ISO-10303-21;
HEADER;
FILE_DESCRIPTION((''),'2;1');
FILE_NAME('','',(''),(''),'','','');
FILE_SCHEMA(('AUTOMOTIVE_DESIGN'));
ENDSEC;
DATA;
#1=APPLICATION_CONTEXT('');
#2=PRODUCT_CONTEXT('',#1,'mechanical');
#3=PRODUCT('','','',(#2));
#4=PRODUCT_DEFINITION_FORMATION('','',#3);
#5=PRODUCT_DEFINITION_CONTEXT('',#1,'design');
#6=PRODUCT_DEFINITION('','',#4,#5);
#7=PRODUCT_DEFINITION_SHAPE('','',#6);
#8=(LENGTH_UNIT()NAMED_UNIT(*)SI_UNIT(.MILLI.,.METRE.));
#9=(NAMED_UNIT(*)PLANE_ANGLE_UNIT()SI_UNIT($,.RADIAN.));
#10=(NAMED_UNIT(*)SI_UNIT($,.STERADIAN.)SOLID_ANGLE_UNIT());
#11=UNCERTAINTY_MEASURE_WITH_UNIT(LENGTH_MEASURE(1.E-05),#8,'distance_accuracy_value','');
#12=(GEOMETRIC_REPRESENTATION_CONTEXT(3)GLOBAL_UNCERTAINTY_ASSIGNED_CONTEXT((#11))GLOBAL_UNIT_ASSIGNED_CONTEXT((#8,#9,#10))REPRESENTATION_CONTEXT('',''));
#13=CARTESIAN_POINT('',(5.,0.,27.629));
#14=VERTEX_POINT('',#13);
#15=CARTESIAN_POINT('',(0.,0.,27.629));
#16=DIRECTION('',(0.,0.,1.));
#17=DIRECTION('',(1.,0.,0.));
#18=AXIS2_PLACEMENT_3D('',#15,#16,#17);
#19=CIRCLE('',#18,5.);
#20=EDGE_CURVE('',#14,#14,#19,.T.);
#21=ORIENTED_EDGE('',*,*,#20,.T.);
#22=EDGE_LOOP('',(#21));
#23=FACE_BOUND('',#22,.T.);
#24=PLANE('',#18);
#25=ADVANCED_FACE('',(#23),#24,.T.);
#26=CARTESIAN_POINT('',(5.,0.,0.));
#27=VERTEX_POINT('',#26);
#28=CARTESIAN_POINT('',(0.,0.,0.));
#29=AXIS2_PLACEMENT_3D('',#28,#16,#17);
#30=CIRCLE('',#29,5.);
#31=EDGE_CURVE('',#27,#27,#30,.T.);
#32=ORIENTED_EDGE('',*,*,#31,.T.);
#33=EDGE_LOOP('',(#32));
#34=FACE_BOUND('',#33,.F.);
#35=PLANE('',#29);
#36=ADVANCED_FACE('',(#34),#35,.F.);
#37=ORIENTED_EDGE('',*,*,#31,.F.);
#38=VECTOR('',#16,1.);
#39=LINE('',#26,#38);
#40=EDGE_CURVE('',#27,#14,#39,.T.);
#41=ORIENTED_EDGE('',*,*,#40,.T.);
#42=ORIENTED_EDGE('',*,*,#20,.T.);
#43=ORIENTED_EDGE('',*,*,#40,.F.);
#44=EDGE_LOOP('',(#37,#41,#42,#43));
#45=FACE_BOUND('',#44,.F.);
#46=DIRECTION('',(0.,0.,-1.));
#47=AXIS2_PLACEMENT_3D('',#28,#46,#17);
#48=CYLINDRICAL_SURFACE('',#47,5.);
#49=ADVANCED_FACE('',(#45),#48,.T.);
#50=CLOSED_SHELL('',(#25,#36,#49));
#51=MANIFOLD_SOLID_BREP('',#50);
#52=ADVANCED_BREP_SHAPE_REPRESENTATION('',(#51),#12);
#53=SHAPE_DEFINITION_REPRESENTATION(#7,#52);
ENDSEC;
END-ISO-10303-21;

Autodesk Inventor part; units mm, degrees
ref_plane "YZ Plane" through (0, 0, 0) normal (1, 0, 0) x (0, 1, 0)
ref_plane "XZ Plane" through (0, 0, 0) normal (0, 1, 0) x (-1, 0, 0)
ref_plane "XY Plane" through (0, 0, 0) normal (0, 0, 1) x (1, 0, 0)
sketch "Skizze1" plane through (0, 0, 0) normal (0, 0, 1) x (1, 0, 0)
  circle A0 centre (0, 0) radius 5
  dimension "d0" = 10
extrude "Extrusion1" add sketch "Skizze1" along normal blind 27.629
properties part number "radzuplanet"
